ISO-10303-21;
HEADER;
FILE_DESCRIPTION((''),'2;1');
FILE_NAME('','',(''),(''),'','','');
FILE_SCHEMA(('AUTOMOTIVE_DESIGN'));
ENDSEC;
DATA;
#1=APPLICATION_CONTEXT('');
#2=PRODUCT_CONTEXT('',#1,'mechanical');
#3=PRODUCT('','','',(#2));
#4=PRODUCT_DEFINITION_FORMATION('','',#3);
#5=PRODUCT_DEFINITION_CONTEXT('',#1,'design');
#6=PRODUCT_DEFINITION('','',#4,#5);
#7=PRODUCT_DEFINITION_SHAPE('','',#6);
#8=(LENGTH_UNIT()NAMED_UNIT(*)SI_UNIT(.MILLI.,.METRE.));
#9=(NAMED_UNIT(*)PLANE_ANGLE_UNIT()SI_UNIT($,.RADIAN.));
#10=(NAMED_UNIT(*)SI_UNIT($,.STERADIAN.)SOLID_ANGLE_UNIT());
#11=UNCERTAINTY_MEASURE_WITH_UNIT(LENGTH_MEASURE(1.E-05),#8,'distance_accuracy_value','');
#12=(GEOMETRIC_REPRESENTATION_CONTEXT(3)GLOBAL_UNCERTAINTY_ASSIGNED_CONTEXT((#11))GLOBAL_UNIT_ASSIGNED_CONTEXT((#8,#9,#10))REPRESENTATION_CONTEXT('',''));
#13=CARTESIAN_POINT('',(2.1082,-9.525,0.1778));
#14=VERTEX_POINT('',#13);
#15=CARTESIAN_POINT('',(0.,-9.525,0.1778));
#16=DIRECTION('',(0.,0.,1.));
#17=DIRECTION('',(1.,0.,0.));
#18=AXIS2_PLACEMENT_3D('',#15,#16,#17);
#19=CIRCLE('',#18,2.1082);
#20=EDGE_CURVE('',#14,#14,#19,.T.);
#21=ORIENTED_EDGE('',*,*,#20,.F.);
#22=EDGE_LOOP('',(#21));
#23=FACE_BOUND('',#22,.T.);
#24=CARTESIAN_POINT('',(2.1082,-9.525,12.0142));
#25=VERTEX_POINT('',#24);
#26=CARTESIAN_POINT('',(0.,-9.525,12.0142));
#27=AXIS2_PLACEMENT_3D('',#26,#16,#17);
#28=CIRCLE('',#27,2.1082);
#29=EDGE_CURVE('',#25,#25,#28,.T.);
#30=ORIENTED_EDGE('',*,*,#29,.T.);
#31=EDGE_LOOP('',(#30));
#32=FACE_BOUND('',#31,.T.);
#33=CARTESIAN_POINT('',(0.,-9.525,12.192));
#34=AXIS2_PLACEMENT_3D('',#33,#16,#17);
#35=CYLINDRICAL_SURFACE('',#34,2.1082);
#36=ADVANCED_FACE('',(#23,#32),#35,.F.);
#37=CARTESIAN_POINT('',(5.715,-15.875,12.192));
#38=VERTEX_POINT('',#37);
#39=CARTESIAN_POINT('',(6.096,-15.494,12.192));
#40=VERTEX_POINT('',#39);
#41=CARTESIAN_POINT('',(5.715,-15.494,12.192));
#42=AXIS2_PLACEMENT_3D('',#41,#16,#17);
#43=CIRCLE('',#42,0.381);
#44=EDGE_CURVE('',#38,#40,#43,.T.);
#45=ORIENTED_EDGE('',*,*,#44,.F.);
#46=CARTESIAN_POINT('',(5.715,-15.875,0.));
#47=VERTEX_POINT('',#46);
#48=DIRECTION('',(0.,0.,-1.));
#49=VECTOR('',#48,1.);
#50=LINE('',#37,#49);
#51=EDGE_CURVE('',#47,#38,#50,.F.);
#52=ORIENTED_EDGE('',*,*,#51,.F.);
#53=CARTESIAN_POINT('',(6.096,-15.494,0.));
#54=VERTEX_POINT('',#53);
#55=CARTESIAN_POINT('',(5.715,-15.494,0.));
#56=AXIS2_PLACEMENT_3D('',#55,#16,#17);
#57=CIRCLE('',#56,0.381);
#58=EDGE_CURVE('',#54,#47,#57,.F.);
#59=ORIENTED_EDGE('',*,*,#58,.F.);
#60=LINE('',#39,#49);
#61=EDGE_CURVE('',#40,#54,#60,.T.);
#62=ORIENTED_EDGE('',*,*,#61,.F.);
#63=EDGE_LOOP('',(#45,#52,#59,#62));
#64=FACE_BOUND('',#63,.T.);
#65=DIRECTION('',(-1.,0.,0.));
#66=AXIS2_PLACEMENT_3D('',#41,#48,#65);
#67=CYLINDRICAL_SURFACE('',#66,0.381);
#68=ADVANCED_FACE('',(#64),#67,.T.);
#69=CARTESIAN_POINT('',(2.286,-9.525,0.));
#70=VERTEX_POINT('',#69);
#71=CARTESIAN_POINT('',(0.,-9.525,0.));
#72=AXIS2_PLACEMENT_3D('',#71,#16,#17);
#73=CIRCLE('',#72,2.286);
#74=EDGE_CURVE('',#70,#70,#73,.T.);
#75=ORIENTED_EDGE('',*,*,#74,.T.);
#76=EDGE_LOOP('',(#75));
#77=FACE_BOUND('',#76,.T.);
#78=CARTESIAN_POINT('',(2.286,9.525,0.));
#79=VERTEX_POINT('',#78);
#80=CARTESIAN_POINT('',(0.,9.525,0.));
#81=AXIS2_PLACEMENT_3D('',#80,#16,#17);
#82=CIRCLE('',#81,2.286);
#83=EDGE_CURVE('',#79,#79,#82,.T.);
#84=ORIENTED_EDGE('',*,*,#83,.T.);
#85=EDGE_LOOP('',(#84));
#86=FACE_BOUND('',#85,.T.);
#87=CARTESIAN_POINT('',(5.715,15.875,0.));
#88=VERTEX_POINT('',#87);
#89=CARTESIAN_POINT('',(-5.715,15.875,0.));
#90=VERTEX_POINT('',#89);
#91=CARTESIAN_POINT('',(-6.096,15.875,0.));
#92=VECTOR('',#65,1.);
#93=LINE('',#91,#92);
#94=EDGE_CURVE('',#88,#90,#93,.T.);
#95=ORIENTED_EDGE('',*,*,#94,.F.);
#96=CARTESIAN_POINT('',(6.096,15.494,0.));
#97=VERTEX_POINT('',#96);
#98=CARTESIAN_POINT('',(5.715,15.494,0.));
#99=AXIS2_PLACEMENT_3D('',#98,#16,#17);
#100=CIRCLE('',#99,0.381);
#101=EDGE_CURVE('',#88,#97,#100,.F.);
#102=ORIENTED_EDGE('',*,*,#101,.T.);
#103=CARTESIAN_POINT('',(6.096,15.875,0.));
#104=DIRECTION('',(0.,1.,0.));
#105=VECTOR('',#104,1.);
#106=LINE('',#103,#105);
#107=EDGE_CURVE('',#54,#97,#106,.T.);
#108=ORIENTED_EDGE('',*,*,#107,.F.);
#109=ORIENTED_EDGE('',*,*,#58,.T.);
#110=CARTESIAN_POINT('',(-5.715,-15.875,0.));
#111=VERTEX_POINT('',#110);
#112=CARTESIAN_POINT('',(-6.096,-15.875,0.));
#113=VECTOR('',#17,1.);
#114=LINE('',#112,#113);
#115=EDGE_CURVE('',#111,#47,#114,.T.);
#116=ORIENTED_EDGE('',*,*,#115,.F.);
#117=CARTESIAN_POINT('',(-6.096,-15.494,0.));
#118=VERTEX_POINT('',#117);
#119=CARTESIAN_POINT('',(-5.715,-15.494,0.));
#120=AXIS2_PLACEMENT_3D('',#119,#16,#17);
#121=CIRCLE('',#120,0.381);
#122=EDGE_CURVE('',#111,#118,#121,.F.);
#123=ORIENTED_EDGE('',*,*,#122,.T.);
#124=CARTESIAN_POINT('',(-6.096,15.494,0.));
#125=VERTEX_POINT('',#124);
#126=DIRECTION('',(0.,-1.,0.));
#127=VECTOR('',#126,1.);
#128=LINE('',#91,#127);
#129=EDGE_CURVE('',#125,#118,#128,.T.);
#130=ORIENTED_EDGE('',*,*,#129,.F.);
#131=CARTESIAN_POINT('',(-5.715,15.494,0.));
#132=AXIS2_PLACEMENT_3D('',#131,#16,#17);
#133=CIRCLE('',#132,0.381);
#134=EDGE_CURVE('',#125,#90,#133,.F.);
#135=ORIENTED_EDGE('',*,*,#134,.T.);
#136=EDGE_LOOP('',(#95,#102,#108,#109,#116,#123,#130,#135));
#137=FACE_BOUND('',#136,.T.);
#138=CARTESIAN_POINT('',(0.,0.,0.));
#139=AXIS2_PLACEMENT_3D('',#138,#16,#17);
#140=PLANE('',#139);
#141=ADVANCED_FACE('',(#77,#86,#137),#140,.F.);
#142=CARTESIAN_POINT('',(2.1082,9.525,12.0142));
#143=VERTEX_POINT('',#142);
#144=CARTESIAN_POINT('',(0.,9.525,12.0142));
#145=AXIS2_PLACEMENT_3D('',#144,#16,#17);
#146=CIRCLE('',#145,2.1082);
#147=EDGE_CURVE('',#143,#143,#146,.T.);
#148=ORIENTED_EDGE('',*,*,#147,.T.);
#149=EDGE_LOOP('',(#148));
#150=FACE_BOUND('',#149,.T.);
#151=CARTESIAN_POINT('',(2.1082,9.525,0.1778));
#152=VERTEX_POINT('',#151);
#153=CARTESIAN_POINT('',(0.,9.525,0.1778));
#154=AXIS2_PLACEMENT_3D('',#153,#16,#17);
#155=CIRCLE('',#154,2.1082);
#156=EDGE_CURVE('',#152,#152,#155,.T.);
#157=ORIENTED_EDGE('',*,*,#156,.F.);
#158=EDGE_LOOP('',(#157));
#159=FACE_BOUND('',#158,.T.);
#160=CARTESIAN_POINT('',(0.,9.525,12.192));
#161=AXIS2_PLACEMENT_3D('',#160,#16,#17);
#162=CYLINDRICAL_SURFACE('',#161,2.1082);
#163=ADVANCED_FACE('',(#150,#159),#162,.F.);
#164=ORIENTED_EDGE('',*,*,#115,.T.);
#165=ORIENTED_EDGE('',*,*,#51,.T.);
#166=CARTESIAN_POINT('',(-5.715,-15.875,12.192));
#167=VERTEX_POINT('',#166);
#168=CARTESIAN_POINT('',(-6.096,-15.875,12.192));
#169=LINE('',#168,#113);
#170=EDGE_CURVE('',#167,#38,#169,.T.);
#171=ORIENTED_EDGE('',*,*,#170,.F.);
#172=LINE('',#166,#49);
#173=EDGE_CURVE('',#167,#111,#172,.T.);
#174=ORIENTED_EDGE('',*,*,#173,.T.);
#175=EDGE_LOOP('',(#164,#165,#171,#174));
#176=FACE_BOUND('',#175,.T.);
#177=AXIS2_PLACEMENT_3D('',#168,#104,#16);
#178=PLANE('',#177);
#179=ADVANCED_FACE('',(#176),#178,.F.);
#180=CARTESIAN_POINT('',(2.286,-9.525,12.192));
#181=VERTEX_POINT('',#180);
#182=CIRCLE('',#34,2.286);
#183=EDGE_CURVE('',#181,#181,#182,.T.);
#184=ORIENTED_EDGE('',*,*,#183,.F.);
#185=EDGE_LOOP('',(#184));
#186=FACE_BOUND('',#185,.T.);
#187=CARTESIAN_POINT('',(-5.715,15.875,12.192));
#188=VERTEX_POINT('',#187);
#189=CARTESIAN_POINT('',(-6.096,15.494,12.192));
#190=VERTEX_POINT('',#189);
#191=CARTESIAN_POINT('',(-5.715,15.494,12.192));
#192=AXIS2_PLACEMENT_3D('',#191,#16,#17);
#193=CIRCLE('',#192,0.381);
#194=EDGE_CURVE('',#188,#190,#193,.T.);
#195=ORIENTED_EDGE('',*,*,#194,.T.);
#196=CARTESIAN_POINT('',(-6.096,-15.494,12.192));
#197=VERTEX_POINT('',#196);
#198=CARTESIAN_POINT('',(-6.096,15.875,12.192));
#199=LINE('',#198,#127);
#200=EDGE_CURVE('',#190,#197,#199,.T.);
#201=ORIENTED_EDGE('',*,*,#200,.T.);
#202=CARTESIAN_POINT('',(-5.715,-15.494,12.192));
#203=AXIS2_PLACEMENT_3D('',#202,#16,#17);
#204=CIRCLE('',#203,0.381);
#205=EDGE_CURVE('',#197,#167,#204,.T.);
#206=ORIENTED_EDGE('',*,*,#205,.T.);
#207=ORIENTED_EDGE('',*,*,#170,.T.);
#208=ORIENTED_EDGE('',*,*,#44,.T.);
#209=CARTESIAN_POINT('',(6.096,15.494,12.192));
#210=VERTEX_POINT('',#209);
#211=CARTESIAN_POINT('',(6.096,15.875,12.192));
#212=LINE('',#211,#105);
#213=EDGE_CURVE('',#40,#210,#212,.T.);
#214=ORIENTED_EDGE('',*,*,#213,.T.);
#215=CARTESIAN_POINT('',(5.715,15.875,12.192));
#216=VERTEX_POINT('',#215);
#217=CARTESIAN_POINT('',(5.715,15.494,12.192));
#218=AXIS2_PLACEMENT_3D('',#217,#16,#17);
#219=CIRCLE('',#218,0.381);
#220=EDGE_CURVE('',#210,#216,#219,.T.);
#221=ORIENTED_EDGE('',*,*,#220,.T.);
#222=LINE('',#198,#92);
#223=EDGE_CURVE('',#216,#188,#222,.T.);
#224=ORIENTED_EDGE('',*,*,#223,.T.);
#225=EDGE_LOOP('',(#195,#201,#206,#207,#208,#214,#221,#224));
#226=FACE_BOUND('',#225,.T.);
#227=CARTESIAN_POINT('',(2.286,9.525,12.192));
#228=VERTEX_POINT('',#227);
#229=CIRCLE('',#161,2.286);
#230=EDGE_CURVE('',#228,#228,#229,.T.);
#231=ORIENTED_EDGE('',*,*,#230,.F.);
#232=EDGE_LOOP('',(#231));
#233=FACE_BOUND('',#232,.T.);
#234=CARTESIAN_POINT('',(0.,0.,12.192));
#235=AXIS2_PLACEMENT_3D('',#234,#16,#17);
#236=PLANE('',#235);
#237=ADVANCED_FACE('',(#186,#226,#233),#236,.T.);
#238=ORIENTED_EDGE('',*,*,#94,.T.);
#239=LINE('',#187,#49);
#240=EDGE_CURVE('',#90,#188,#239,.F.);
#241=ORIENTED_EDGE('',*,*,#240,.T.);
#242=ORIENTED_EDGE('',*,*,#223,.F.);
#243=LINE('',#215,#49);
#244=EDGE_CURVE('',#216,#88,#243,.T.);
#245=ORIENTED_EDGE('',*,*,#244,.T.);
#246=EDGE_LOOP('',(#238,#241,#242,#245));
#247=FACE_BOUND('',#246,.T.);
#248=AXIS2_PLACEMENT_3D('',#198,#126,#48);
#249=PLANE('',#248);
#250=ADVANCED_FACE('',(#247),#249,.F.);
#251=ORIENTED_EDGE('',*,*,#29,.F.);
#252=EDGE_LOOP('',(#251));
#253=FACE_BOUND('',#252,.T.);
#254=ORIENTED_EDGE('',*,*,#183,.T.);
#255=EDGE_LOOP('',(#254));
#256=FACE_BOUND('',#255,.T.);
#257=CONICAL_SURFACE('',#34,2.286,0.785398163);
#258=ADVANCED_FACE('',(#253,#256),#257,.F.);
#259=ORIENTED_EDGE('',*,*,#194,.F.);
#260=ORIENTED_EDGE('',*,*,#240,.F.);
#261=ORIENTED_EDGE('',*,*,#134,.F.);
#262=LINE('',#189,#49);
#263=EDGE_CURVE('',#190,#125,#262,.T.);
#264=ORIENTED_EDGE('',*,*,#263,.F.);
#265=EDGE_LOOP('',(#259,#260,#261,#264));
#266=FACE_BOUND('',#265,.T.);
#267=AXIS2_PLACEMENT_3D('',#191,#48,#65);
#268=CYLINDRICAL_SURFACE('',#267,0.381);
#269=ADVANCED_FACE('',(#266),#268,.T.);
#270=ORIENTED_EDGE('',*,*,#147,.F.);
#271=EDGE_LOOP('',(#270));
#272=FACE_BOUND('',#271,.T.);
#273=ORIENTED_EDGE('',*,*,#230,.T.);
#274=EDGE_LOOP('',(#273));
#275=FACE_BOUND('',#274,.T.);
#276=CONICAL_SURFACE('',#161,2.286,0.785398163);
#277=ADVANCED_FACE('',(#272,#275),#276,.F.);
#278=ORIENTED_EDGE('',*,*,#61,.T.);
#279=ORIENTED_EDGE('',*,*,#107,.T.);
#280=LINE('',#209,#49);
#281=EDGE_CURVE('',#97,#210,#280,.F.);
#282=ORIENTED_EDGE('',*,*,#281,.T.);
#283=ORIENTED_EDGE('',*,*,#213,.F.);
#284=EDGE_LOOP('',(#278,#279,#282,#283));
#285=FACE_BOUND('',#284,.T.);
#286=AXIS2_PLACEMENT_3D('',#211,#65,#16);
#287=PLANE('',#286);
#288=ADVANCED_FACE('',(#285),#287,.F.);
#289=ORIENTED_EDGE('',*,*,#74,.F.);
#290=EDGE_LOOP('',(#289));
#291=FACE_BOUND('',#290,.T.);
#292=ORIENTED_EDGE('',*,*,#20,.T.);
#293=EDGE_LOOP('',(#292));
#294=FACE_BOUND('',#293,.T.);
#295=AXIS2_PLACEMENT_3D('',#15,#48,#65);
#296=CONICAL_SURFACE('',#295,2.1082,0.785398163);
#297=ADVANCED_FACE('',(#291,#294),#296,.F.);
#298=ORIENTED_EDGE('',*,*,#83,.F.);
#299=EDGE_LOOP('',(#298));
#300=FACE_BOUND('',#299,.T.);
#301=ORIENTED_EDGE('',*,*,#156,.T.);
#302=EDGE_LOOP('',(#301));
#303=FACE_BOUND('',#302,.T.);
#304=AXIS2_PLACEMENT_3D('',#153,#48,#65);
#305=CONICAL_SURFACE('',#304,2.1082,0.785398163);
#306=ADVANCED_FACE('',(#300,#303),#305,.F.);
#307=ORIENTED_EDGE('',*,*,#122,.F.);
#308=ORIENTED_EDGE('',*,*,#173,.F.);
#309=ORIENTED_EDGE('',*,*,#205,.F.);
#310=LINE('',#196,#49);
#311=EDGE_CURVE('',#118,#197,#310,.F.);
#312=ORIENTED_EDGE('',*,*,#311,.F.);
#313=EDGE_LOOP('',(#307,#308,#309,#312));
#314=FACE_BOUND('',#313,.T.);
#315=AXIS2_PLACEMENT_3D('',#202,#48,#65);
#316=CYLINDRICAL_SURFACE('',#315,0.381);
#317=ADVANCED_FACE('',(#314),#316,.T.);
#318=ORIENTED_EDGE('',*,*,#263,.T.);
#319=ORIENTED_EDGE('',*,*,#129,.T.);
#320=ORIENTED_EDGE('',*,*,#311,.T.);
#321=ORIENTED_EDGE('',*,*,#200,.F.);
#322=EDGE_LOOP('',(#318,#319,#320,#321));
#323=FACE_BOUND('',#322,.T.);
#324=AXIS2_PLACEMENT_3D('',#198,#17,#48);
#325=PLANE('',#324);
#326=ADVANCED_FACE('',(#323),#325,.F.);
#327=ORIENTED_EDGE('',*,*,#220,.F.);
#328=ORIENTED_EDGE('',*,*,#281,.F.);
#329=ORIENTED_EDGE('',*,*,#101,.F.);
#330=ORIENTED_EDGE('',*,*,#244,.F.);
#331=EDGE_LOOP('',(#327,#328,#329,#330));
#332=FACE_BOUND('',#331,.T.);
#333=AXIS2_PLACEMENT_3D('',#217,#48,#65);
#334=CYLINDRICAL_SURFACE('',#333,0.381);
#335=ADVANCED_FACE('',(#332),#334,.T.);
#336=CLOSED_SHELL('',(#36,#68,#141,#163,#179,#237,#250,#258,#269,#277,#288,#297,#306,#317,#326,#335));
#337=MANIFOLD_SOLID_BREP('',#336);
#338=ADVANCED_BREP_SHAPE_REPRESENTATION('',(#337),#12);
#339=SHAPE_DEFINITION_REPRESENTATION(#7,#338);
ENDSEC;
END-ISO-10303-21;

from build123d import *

# Parameters (mm, degrees)
SKETCH1_W                            = 12.192
SKETCH1_H                            = 31.75
BOSS_EXTRUDE1_DEPTH                  = 12.192
FILLET1_R                            = 0.381
F_19_0_166_DIAMETER_HOLE1_AT_2_COUNT = 2
F_19_0_166_DIAMETER_HOLE1_AT_2_PITCH = 19.05


with BuildPart() as part:
    # Sketch1 → Boss-Extrude1 (new body)
    with BuildSketch(Plane.XY):
        Rectangle(SKETCH1_W, SKETCH1_H)
    extrude(amount=BOSS_EXTRUDE1_DEPTH)

    # Fillet1
    fillet1_edges = [part.edges().sort_by_distance(p)[0] for p in [
        (-6.096, 15.875, 6.096),
        (6.096, 15.875, 6.096),
        (6.096, -15.875, 6.096),
        (-6.096, -15.875, 6.096),
    ]]
    fillet(fillet1_edges, radius=FILLET1_R)

    # Sketch2 → #19 (0.166) Diameter Hole1 (revolve, cut)
    with BuildSketch(Plane(origin=(0, 9.525, 12.192), x_dir=(0, -1, 0), z_dir=(1, 0, 0))):
        Polygon((0, 0), (0, 12.192), (2.286, 12.192), (2.1082, 12.0142), (2.1082, 0.1778), (2.286, 0), align=None)
    f_19_0_166_diameter_hole1 = revolve(axis=Axis((0, 9.525, 18.542), (0, 0, -1)), mode=Mode.SUBTRACT)

    # #19 (0.166) Diameter Hole1 at 2: #19 (0.166) Diameter Hole1 ×2
    with Locations(*[(0, -i * F_19_0_166_DIAMETER_HOLE1_AT_2_PITCH, 0) for i in range(1, F_19_0_166_DIAMETER_HOLE1_AT_2_COUNT)]):
        add(f_19_0_166_diameter_hole1, mode=Mode.SUBTRACT)


solid = part.part
